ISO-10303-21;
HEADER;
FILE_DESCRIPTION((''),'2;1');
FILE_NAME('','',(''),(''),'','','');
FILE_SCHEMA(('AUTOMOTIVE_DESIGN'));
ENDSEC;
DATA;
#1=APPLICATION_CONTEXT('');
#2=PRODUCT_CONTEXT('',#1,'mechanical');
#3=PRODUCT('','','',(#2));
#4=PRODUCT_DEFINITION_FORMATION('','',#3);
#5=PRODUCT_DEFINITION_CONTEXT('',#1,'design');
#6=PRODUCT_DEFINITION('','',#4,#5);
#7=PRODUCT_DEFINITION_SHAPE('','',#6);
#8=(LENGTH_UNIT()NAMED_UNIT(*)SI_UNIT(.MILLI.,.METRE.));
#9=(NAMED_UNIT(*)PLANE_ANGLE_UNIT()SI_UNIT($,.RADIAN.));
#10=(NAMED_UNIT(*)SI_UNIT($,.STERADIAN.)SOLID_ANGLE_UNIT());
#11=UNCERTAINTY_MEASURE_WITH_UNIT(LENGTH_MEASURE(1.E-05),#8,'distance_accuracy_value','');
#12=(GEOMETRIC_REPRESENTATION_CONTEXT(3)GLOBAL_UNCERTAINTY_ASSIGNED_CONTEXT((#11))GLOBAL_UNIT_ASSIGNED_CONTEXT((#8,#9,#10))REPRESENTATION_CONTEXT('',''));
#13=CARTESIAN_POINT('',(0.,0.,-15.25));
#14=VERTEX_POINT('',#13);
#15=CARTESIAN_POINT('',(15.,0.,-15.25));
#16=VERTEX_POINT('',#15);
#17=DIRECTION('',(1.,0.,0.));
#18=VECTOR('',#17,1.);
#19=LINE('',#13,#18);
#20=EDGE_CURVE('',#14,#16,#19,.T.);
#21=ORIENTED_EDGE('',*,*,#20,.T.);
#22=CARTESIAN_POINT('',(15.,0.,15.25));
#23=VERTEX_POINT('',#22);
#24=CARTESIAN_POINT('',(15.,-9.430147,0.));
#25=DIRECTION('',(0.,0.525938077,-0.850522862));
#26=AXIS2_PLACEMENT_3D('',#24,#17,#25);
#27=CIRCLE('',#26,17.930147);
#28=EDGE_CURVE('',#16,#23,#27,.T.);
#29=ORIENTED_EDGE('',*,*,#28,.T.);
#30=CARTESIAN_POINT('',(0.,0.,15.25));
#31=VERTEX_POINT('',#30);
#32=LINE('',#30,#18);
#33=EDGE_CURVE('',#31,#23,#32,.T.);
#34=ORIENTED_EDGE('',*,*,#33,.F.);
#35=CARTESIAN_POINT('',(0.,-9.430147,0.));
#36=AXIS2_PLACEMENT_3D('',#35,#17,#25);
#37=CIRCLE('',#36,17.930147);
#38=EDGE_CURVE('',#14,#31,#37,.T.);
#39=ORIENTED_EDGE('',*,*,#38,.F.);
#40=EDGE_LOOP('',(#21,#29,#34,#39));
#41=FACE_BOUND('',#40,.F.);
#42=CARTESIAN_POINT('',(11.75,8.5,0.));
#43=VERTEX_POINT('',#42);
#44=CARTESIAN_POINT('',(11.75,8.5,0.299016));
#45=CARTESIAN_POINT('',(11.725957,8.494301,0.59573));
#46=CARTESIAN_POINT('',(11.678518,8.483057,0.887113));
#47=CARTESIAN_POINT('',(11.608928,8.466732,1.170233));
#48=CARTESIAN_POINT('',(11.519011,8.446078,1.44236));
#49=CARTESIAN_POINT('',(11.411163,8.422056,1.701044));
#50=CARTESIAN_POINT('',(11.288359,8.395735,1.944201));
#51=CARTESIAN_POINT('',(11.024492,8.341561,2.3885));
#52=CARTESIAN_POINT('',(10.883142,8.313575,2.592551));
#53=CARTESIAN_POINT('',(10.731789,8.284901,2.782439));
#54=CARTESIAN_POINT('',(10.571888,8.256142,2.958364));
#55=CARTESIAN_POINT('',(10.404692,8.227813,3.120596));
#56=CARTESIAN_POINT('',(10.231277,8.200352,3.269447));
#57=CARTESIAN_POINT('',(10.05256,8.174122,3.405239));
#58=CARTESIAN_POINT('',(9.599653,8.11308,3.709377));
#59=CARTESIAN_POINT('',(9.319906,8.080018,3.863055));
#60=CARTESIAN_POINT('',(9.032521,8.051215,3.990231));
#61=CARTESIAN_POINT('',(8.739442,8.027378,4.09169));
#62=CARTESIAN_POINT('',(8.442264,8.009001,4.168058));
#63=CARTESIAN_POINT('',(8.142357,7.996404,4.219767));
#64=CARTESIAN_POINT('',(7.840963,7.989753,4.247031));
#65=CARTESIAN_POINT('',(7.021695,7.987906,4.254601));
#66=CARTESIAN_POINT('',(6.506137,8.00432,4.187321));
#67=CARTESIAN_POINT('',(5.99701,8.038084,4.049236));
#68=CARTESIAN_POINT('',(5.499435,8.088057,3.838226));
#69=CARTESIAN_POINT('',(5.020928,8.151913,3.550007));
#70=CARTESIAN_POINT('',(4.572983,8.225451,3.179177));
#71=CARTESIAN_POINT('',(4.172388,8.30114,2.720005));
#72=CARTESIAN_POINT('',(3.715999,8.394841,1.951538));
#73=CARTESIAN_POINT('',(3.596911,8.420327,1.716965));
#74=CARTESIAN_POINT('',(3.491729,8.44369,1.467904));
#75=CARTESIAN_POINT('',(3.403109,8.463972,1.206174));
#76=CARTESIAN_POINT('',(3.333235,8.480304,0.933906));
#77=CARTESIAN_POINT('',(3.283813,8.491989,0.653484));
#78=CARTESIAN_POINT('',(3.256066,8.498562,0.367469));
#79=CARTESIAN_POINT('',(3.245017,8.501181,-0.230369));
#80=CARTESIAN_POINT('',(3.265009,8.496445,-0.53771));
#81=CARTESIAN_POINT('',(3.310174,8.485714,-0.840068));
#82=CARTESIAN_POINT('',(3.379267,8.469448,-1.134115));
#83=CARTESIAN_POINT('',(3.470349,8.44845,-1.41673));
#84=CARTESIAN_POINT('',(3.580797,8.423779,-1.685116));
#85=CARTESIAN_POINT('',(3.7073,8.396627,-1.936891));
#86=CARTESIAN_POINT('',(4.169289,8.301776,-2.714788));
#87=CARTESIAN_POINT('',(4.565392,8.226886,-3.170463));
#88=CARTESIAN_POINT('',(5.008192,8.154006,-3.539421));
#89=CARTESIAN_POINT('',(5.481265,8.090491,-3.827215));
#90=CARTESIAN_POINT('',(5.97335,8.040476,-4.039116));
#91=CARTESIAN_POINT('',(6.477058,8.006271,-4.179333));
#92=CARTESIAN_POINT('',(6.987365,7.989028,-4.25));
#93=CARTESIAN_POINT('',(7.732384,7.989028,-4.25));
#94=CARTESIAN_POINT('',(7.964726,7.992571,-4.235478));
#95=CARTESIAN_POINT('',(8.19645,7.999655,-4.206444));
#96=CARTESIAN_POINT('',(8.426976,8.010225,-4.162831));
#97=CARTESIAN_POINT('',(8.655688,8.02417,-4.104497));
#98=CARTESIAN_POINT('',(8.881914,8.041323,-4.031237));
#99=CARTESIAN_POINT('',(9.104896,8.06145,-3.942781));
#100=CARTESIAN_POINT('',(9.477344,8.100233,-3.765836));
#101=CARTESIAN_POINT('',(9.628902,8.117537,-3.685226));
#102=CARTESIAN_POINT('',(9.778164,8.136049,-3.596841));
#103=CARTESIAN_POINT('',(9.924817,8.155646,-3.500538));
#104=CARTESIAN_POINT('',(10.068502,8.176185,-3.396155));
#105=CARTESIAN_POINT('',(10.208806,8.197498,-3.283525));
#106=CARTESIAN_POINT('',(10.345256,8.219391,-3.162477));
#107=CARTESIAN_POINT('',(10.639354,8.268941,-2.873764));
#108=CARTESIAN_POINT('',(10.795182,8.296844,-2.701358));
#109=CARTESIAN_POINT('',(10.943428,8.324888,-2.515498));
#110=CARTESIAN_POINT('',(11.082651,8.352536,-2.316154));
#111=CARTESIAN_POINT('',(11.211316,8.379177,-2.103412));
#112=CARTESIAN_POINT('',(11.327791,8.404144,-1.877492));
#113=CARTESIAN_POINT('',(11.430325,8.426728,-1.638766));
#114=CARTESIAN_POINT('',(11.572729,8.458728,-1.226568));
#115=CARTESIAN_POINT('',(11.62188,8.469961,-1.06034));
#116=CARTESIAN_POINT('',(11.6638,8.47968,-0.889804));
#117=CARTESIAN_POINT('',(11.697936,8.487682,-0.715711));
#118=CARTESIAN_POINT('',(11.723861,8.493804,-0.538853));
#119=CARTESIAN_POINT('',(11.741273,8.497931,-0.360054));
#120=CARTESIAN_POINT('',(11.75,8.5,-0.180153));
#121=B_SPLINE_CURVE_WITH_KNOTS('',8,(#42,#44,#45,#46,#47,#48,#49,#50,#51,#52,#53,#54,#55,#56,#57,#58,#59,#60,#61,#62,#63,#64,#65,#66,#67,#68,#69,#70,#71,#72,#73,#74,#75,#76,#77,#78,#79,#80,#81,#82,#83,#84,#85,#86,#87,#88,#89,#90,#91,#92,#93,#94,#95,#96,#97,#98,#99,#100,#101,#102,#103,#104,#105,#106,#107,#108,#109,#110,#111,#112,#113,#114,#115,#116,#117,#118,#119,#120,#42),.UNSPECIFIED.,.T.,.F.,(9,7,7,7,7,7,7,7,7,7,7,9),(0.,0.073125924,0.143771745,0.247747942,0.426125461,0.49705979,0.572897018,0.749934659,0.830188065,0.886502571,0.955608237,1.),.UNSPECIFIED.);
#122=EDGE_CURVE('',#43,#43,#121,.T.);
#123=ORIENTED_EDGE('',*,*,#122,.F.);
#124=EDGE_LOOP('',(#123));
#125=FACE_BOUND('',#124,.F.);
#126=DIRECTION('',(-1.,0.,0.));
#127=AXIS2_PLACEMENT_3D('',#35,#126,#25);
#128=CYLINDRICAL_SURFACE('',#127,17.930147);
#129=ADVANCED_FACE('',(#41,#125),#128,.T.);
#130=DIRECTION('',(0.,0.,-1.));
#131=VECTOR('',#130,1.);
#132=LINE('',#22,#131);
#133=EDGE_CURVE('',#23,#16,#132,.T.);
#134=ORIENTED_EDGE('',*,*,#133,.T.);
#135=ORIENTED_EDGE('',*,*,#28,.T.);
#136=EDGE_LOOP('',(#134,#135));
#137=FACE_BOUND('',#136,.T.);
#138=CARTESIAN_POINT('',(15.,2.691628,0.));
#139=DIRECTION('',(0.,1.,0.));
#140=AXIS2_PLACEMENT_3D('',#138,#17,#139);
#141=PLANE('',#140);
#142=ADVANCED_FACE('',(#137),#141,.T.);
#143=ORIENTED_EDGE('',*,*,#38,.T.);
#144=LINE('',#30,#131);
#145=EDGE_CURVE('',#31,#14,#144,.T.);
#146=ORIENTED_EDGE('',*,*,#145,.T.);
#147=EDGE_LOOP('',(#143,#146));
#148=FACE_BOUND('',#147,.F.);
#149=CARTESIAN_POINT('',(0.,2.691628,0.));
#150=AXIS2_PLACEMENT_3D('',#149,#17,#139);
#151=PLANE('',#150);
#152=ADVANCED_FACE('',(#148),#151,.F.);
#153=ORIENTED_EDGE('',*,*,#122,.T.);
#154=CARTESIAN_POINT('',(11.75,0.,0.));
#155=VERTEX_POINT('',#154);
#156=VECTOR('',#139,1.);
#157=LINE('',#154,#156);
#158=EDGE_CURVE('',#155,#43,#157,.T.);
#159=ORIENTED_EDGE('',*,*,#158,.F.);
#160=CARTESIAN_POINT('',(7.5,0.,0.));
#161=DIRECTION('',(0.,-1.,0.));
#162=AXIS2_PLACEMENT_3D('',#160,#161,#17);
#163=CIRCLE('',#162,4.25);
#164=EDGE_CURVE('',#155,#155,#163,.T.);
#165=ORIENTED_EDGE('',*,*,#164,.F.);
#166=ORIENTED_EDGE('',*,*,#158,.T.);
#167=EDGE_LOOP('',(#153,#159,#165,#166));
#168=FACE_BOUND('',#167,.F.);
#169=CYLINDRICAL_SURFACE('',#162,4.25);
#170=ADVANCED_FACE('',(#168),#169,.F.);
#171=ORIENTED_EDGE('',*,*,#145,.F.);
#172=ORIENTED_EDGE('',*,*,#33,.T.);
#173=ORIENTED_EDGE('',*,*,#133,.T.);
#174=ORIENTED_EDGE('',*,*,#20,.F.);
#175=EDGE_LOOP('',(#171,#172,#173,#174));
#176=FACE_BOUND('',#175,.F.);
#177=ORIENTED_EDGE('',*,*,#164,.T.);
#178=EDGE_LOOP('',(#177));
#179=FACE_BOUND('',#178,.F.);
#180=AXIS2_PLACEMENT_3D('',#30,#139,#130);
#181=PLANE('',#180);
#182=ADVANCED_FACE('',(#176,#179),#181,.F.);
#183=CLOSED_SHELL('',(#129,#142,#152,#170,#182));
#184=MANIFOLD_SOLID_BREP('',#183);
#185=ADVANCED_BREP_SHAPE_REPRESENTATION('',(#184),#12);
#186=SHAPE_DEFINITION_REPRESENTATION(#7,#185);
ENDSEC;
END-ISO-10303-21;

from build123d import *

# Parameters (mm, degrees)
F1_DEPTH = 15
F2_R     = 4.25
F3_DEPTH = 25


with BuildPart() as f1:
    # F0 (on Right) → F1 (new body)
    with BuildSketch(Plane.YZ):
        with BuildLine():
            ThreePointArc((0, -15.25), (8.5, 0), (0, 15.25))
            Line((0, 15.25), (0, -15.25))
        make_face()
    extrude(amount=F1_DEPTH)

    # F2 (on face) → F3 (cut)
    with BuildSketch(Plane.XZ):
        with Locations((7.5, 0)):
            Circle(F2_R)
    extrude(amount=-F3_DEPTH, mode=Mode.SUBTRACT)


solid = f1.part
